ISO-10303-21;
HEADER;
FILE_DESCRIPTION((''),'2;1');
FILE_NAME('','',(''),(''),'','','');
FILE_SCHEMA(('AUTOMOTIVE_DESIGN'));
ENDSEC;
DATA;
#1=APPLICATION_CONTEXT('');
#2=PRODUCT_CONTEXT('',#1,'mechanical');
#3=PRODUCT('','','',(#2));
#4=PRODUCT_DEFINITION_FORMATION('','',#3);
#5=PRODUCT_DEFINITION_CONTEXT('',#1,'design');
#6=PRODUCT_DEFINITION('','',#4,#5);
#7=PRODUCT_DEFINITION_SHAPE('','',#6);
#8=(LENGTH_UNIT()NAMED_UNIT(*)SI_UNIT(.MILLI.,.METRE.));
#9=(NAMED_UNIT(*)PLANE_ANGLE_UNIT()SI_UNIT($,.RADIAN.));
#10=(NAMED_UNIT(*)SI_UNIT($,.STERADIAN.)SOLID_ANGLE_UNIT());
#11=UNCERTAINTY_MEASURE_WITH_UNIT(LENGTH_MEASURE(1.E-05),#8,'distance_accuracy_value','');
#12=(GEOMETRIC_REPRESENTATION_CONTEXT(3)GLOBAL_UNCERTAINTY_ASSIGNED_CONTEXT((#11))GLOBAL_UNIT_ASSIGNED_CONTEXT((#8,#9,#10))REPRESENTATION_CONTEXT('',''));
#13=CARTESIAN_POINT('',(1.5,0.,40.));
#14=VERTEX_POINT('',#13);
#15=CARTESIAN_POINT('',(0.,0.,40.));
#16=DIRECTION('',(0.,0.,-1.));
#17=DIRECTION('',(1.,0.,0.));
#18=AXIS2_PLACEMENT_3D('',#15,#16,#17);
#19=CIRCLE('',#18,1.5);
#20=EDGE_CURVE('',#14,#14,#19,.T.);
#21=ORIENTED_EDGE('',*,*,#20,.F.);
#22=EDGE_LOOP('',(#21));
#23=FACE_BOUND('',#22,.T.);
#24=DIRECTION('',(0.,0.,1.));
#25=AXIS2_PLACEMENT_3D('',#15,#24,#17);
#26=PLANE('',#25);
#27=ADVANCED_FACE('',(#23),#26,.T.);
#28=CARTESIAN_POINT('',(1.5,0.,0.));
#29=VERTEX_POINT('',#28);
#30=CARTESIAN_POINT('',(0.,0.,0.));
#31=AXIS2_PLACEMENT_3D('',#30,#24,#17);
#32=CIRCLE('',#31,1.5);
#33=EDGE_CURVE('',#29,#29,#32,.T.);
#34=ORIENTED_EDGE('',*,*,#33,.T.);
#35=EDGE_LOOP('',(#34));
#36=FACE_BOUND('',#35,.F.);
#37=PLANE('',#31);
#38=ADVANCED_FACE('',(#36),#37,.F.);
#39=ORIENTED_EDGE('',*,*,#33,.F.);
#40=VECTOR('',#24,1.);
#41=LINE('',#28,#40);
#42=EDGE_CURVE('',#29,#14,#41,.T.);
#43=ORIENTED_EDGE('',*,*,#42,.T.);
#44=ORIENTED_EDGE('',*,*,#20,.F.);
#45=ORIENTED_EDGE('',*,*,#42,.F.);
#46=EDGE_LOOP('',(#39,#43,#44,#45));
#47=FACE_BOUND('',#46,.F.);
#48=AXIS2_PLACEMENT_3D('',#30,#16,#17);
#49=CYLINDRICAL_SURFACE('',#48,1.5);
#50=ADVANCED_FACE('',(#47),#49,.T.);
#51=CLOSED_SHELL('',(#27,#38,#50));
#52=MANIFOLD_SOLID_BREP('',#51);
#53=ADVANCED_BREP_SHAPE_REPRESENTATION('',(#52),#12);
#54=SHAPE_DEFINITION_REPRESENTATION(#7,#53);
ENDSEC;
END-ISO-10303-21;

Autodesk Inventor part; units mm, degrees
ref_plane "YZ Plane" through (0, 0, 0) normal (1, 0, 0) x (0, 1, 0)
ref_plane "XZ Plane" through (0, 0, 0) normal (0, 1, 0) x (-1, 0, 0)
ref_plane "XY Plane" through (0, 0, 0) normal (0, 0, 1) x (1, 0, 0)
sketch "Skizze1" plane through (0, 0, 0) normal (0, 0, 1) x (1, 0, 0)
  line L0 (-2.1, 0) -> (2.1, 0) projected
  line L1 (0, -2.1) -> (0, 2.1) projected
  circle A0 centre (0, 0) radius 1.5
  dimension "d0" = 3
extrude "Extrusion1" add sketch "Skizze1" along normal blind 40
thread "Gewinde1" size "M3x0.5" class "6g" standard "ANSI Metric M Profile" full length
properties part number "M3x40_Gewindestück"
